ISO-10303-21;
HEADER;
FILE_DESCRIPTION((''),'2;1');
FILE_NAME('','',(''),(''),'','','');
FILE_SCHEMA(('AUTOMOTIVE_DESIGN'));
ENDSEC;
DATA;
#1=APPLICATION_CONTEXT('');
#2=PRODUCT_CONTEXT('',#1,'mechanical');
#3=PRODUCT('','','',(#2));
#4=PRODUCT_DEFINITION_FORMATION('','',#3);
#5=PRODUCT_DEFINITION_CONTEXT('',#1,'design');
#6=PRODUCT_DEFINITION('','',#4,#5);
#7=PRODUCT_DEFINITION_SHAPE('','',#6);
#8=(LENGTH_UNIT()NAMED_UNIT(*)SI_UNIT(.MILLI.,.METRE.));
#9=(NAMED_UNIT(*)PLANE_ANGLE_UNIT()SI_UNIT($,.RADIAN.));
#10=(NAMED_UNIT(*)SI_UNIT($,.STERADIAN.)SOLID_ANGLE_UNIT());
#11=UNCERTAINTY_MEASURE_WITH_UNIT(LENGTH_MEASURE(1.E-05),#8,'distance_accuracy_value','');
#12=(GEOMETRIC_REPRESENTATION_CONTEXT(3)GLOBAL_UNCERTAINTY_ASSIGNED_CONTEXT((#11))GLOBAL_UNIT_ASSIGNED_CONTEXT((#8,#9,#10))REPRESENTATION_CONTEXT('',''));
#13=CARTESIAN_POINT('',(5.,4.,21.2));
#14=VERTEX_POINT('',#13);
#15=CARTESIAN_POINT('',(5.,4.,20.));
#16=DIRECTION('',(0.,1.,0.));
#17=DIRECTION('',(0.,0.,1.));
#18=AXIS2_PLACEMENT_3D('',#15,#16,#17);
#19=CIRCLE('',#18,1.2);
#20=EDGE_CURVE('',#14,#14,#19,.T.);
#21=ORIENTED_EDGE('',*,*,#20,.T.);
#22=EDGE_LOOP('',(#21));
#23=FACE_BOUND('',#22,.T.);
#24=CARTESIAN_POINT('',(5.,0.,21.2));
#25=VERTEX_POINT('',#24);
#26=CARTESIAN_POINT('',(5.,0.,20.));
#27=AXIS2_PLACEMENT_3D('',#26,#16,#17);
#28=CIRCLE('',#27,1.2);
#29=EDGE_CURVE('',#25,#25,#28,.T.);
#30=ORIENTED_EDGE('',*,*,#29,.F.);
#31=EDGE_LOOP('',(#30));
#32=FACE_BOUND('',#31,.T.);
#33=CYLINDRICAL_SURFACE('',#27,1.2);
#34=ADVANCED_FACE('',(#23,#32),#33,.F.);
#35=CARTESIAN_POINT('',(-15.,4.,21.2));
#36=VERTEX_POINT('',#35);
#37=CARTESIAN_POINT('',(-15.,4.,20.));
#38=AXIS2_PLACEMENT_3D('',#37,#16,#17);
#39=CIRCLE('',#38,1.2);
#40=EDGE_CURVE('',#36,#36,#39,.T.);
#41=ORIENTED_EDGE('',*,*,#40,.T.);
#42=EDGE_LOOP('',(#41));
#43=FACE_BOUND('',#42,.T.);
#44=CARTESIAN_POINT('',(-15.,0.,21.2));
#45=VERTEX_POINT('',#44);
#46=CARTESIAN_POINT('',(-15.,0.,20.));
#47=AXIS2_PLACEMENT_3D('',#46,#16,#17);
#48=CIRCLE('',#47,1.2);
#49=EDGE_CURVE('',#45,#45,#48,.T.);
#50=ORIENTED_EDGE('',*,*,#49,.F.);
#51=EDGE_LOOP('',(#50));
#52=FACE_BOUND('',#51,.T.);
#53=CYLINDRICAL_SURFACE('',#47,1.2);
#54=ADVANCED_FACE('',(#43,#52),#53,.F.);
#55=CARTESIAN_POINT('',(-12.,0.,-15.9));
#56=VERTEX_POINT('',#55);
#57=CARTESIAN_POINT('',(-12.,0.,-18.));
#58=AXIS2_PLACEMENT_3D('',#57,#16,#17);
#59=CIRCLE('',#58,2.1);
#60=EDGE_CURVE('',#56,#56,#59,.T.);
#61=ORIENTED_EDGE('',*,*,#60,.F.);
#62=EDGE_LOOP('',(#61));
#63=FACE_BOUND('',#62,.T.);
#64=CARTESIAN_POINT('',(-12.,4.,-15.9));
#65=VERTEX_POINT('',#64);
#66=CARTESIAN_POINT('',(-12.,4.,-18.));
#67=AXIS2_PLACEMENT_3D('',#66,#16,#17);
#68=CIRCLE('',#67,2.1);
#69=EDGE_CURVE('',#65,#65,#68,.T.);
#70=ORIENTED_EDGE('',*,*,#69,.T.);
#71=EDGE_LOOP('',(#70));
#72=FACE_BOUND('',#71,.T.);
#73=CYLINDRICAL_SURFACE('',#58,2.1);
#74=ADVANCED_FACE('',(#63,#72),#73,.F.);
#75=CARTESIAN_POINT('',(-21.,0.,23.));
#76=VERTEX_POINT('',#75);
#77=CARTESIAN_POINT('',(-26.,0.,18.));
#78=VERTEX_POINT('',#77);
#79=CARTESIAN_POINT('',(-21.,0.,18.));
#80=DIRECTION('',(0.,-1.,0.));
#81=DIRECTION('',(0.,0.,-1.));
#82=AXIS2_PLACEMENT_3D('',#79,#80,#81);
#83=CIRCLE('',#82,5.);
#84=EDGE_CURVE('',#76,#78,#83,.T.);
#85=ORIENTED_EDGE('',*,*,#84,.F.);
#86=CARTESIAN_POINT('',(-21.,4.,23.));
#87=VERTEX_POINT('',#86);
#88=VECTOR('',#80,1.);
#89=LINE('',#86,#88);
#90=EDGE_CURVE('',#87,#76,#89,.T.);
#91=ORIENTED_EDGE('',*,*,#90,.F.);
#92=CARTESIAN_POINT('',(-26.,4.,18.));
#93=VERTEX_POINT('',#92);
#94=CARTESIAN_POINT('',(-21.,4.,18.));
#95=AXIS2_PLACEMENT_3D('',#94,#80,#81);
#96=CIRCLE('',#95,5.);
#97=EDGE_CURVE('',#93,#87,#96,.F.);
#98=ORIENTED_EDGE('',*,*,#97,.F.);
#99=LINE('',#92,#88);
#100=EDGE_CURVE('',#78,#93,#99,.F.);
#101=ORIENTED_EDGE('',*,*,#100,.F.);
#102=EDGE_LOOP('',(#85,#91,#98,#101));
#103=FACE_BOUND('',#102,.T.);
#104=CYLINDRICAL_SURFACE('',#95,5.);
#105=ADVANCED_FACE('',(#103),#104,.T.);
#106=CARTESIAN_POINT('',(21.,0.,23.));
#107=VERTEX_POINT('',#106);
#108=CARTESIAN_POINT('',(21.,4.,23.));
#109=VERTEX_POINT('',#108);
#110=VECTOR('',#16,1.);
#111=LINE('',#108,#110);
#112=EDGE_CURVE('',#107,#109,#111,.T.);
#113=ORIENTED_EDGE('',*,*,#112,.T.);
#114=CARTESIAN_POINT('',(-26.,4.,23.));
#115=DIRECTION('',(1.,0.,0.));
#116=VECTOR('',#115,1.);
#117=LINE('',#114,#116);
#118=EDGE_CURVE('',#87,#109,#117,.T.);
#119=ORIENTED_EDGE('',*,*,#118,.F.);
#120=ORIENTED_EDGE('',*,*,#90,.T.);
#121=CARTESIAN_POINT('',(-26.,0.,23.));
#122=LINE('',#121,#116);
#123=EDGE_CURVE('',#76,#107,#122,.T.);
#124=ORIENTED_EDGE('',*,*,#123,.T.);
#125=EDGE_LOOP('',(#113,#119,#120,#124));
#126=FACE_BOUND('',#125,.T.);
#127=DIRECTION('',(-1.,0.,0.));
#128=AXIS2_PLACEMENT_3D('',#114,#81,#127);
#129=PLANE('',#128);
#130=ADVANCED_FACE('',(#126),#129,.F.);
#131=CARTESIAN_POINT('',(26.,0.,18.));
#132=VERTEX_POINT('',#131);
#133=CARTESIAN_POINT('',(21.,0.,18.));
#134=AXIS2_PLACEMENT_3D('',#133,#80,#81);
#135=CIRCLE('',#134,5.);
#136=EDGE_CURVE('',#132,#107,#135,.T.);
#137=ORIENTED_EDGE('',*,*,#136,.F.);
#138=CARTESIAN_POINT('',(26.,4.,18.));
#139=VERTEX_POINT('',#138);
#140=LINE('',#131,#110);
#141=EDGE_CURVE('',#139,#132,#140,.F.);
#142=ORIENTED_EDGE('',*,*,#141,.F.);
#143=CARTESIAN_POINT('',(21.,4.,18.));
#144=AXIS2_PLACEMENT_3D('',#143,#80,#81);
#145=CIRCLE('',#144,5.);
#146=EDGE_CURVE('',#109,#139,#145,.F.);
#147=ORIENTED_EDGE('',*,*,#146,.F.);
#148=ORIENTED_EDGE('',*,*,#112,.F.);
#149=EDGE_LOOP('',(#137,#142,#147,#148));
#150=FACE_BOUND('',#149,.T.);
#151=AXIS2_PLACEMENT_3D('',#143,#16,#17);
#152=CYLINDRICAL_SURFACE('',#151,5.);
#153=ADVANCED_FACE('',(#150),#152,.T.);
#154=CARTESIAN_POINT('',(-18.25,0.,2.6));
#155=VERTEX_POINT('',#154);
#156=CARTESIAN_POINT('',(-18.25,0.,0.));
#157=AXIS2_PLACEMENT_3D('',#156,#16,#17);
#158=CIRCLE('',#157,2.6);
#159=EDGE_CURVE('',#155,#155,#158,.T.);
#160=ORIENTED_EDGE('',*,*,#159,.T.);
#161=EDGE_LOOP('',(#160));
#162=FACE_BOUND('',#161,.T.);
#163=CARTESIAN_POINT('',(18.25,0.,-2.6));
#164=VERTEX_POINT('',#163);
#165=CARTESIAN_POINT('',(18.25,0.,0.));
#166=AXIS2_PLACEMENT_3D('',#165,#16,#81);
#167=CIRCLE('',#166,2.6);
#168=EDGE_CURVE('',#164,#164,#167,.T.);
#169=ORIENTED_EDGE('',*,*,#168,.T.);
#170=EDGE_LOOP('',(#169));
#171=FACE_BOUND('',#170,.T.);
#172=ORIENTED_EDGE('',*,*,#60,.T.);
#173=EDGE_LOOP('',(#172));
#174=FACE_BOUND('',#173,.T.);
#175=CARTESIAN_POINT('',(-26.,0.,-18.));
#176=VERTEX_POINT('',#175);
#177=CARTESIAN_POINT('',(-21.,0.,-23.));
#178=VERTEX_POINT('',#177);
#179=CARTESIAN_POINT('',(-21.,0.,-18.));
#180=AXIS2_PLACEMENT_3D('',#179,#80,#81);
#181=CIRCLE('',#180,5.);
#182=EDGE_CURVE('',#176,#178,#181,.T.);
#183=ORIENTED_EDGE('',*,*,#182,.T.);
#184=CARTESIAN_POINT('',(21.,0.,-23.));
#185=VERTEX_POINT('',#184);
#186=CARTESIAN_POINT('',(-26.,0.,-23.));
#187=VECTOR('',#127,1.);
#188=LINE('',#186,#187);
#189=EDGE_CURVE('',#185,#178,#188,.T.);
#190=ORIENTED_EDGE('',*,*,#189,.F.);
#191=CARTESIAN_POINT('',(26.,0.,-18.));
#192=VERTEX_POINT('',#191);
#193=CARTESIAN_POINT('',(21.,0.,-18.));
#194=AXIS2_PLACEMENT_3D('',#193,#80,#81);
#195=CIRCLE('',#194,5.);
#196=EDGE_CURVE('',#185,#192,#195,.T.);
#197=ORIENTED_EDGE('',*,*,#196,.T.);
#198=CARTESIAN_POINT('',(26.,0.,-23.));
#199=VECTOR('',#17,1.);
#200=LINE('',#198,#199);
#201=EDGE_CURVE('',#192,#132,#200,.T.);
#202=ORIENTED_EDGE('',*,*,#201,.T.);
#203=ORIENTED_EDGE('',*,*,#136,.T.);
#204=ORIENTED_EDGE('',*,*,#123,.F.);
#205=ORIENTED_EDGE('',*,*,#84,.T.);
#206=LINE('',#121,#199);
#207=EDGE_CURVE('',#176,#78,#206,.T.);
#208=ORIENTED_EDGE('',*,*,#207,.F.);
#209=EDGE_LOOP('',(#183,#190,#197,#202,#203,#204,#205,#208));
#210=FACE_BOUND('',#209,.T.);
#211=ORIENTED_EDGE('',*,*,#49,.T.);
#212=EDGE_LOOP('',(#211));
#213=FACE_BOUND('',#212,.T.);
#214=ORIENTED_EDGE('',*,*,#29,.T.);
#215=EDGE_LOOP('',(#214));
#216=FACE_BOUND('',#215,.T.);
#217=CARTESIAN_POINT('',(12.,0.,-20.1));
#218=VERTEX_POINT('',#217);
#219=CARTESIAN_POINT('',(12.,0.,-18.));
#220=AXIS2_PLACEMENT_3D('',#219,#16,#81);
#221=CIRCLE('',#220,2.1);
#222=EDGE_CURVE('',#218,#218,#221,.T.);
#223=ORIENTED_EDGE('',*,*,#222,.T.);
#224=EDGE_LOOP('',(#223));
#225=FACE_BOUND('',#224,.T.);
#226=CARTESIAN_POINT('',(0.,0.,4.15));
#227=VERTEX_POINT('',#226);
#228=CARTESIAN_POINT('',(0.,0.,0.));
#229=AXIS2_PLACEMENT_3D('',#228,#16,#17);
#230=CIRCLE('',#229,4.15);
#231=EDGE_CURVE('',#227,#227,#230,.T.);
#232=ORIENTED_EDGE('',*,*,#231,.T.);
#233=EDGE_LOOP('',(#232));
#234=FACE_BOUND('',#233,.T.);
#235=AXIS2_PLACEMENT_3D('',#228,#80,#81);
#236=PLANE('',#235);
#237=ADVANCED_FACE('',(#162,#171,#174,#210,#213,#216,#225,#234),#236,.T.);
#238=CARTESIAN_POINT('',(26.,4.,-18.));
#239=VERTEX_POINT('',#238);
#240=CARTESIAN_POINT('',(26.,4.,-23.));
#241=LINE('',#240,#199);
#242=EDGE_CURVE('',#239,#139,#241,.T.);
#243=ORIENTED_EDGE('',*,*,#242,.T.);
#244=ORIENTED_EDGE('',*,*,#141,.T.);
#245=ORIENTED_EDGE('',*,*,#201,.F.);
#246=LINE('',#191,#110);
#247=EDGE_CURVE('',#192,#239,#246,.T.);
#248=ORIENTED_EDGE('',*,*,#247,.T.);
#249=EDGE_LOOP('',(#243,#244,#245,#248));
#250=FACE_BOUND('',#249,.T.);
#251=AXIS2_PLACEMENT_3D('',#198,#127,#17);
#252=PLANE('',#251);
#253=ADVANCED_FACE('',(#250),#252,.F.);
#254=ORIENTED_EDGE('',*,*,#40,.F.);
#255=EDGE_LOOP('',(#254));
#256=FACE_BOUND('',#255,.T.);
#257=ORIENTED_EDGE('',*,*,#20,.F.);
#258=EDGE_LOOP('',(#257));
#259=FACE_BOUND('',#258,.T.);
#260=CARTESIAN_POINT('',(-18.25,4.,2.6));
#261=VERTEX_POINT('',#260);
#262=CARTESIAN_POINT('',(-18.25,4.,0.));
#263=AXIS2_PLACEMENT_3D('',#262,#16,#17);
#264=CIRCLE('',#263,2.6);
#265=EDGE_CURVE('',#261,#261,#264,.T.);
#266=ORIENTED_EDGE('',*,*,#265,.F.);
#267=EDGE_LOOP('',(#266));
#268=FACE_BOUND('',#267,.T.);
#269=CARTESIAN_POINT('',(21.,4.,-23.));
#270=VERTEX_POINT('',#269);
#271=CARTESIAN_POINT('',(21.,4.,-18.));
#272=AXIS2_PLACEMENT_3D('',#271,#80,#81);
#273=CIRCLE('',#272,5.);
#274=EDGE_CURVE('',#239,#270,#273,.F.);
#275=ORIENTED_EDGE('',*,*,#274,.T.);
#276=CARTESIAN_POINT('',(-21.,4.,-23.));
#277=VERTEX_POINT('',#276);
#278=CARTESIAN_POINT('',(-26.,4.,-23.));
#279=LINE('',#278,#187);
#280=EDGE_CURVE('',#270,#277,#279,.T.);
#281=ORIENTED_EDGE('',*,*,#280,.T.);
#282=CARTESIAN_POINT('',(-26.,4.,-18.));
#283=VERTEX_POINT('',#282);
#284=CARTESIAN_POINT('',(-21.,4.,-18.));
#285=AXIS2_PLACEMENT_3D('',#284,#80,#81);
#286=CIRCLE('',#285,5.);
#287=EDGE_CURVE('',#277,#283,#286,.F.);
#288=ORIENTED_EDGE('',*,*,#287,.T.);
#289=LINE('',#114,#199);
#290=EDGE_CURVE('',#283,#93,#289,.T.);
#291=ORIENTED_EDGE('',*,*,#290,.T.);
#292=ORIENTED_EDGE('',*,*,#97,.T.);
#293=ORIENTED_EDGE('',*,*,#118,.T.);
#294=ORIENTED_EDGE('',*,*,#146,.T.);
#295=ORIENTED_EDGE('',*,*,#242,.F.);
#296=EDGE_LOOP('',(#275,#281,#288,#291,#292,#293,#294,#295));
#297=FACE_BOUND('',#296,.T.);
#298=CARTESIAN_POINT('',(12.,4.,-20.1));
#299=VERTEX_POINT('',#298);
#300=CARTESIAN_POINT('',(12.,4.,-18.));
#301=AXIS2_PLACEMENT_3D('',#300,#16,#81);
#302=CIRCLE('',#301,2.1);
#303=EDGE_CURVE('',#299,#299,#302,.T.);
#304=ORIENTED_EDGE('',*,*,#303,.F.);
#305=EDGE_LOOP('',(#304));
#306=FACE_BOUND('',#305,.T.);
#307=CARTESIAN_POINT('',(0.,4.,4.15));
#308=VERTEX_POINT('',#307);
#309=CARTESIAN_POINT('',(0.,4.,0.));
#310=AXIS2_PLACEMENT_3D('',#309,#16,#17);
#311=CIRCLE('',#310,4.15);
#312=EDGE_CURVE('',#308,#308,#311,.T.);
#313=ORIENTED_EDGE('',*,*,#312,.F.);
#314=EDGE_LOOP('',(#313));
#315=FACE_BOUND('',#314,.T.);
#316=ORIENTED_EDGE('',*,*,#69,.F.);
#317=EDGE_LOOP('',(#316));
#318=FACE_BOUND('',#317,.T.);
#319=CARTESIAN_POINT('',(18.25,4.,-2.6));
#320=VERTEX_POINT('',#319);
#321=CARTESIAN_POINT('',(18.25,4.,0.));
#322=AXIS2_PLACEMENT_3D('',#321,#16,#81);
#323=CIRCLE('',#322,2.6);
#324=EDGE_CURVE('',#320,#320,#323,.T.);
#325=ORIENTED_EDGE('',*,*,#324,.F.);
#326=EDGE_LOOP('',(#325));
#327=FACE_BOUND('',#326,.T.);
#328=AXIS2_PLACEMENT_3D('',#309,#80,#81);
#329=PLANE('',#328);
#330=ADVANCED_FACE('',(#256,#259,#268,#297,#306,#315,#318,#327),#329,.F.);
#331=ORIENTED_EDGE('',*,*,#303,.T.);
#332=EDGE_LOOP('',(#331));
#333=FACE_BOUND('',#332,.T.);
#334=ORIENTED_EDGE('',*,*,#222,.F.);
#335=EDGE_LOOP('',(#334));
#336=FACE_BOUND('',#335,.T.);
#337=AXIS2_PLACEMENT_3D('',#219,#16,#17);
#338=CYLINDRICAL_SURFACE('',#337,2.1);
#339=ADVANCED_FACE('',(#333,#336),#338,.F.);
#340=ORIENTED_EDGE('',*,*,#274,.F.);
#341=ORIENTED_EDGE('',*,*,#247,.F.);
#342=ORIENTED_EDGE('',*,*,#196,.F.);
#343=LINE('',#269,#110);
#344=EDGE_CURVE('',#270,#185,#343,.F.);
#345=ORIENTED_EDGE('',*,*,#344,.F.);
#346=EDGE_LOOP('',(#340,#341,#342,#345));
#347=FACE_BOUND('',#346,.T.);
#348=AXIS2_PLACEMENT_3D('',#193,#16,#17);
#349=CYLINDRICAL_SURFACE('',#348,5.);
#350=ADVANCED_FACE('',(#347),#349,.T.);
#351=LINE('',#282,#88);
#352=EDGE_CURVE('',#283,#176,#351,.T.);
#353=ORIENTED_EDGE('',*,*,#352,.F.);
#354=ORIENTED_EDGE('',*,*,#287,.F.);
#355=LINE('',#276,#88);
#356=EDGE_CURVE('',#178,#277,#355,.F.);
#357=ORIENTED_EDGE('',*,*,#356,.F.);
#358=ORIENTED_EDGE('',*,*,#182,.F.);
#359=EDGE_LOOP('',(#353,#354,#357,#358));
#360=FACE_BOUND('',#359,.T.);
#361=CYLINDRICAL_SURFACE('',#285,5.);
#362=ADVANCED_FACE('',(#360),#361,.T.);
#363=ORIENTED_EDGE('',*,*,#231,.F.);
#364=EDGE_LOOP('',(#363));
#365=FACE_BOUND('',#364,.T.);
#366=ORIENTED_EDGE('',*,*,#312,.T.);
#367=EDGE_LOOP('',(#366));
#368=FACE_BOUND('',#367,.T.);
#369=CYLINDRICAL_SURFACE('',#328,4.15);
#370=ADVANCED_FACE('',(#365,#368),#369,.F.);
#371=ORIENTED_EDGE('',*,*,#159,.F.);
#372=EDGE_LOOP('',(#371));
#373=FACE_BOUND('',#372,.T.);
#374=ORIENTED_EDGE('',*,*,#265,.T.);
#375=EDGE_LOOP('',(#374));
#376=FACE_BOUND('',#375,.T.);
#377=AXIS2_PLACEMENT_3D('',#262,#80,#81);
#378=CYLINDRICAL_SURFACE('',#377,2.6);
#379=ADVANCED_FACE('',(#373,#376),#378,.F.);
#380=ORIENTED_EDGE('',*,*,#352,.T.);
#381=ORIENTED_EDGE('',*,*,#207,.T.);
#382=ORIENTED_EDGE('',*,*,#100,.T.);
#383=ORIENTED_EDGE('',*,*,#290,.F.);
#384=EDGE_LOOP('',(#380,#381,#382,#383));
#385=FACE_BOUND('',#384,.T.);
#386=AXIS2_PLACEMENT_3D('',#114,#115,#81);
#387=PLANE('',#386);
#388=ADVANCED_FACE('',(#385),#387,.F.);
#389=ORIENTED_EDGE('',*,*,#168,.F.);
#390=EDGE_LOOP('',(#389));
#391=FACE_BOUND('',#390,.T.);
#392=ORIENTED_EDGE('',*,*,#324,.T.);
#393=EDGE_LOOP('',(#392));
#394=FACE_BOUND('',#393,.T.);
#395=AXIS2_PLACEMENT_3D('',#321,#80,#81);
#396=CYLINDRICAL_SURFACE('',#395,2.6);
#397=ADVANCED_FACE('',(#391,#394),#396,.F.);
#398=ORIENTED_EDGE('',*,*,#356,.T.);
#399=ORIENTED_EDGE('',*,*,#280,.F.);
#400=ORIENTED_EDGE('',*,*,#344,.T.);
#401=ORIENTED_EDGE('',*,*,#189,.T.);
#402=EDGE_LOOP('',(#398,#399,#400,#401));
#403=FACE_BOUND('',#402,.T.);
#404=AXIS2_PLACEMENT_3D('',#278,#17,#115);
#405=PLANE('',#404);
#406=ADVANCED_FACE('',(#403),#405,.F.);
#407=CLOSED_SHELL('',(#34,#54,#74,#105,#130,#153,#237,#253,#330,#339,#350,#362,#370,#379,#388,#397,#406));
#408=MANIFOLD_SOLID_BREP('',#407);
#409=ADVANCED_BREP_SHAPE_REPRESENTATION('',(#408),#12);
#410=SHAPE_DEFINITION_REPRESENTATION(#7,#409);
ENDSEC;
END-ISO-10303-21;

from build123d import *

# Parameters (mm, degrees)
SKETCH_1_W            = 52
SKETCH_1_H            = 46
SKETCH_1_R            = 2.6
SKETCH_1_R_2          = 4.15
EXTRUDE_436_DEPTH     = 4
SKETCH_4_R            = 2.1
CUT_EXTRUDE_686_DEPTH = 5
SKETCH_6_R            = 2.1
EXTRUDE_1_DEPTH       = 4
SKETCH_7_R            = 1.2
CUT_EXTRUDE_1_DEPTH   = 5
SKETCH_8_W            = 29.384652785
SKETCH_8_H            = 46
EXTRUDE_2_DEPTH       = 4
SKETCH_9_W            = 29.384652785
SKETCH_9_H            = 46
CUT_EXTRUDE_2_DEPTH   = 5
FILLET_1_R            = 5


with BuildPart() as part:
    # 草图1 → Extrude 436 (new body)
    with BuildSketch(Plane(origin=(0, 0, 0), x_dir=(1, 0, 0), z_dir=(0, 1, 0))):
        Rectangle(SKETCH_1_W, SKETCH_1_H)
        with Locations((-18.25, 0)):
            Circle(SKETCH_1_R, mode=Mode.SUBTRACT)
        with Locations((18.25, 0)):
            Circle(SKETCH_1_R, mode=Mode.SUBTRACT)
        Circle(SKETCH_1_R_2, mode=Mode.SUBTRACT)
    extrude(amount=EXTRUDE_436_DEPTH)

    # 草图4 → Cut-Extrude 686 (cut, through all)
    with BuildSketch(Plane(origin=(0, 4, 0), x_dir=(1, 0, 0), z_dir=(0, 1, 0))):
        with Locations((-12, 18)):
            Circle(SKETCH_4_R)
        with Locations((12, 18)):
            Circle(SKETCH_4_R)
        with Locations((12, -18)):
            Circle(SKETCH_4_R)
        with Locations((-12, -18)):
            Circle(SKETCH_4_R)
    extrude(amount=-CUT_EXTRUDE_686_DEPTH, mode=Mode.SUBTRACT)

    # 草图6 → 凸台-拉伸1 (add)
    with BuildSketch(Plane(origin=(0, 4, 0), x_dir=(1, 0, 0), z_dir=(0, 1, 0))):
        with Locations((-12, -18)):
            Circle(SKETCH_6_R)
        with Locations((12, -18)):
            Circle(SKETCH_6_R)
    extrude(amount=-EXTRUDE_1_DEPTH)

    # 草图7 → 切除-拉伸1 (cut, through all)
    with BuildSketch(Plane(origin=(0, 4, 0), x_dir=(1, 0, 0), z_dir=(0, 1, 0))):
        with Locations((5, -20)):
            Circle(SKETCH_7_R)
        with Locations((-15, -20)):
            Circle(SKETCH_7_R)
    extrude(amount=-CUT_EXTRUDE_1_DEPTH, mode=Mode.SUBTRACT)

    # 草图8 → 凸台-拉伸2 (add)
    with BuildSketch(Plane.XZ):
        with Locations((40.692326393, 0)):
            Rectangle(SKETCH_8_W, SKETCH_8_H)
    extrude(amount=-EXTRUDE_2_DEPTH)

    # 草图9 → 切除-拉伸2 (cut, through all)
    with BuildSketch(Plane(origin=(0, 4, 0), x_dir=(1, 0, 0), z_dir=(0, 1, 0))):
        with Locations((40.692326393, 0)):
            Rectangle(SKETCH_9_W, SKETCH_9_H)
    extrude(amount=-CUT_EXTRUDE_2_DEPTH, mode=Mode.SUBTRACT)

    # 圆角1
    fillet_1_edges = [part.edges().sort_by_distance(p)[0] for p in [
        (-26, 2, 23),
        (-26, 2, -23),
        (26, 2, 23),
        (26, 2, -23),
    ]]
    fillet(fillet_1_edges, radius=FILLET_1_R)


solid = part.part
